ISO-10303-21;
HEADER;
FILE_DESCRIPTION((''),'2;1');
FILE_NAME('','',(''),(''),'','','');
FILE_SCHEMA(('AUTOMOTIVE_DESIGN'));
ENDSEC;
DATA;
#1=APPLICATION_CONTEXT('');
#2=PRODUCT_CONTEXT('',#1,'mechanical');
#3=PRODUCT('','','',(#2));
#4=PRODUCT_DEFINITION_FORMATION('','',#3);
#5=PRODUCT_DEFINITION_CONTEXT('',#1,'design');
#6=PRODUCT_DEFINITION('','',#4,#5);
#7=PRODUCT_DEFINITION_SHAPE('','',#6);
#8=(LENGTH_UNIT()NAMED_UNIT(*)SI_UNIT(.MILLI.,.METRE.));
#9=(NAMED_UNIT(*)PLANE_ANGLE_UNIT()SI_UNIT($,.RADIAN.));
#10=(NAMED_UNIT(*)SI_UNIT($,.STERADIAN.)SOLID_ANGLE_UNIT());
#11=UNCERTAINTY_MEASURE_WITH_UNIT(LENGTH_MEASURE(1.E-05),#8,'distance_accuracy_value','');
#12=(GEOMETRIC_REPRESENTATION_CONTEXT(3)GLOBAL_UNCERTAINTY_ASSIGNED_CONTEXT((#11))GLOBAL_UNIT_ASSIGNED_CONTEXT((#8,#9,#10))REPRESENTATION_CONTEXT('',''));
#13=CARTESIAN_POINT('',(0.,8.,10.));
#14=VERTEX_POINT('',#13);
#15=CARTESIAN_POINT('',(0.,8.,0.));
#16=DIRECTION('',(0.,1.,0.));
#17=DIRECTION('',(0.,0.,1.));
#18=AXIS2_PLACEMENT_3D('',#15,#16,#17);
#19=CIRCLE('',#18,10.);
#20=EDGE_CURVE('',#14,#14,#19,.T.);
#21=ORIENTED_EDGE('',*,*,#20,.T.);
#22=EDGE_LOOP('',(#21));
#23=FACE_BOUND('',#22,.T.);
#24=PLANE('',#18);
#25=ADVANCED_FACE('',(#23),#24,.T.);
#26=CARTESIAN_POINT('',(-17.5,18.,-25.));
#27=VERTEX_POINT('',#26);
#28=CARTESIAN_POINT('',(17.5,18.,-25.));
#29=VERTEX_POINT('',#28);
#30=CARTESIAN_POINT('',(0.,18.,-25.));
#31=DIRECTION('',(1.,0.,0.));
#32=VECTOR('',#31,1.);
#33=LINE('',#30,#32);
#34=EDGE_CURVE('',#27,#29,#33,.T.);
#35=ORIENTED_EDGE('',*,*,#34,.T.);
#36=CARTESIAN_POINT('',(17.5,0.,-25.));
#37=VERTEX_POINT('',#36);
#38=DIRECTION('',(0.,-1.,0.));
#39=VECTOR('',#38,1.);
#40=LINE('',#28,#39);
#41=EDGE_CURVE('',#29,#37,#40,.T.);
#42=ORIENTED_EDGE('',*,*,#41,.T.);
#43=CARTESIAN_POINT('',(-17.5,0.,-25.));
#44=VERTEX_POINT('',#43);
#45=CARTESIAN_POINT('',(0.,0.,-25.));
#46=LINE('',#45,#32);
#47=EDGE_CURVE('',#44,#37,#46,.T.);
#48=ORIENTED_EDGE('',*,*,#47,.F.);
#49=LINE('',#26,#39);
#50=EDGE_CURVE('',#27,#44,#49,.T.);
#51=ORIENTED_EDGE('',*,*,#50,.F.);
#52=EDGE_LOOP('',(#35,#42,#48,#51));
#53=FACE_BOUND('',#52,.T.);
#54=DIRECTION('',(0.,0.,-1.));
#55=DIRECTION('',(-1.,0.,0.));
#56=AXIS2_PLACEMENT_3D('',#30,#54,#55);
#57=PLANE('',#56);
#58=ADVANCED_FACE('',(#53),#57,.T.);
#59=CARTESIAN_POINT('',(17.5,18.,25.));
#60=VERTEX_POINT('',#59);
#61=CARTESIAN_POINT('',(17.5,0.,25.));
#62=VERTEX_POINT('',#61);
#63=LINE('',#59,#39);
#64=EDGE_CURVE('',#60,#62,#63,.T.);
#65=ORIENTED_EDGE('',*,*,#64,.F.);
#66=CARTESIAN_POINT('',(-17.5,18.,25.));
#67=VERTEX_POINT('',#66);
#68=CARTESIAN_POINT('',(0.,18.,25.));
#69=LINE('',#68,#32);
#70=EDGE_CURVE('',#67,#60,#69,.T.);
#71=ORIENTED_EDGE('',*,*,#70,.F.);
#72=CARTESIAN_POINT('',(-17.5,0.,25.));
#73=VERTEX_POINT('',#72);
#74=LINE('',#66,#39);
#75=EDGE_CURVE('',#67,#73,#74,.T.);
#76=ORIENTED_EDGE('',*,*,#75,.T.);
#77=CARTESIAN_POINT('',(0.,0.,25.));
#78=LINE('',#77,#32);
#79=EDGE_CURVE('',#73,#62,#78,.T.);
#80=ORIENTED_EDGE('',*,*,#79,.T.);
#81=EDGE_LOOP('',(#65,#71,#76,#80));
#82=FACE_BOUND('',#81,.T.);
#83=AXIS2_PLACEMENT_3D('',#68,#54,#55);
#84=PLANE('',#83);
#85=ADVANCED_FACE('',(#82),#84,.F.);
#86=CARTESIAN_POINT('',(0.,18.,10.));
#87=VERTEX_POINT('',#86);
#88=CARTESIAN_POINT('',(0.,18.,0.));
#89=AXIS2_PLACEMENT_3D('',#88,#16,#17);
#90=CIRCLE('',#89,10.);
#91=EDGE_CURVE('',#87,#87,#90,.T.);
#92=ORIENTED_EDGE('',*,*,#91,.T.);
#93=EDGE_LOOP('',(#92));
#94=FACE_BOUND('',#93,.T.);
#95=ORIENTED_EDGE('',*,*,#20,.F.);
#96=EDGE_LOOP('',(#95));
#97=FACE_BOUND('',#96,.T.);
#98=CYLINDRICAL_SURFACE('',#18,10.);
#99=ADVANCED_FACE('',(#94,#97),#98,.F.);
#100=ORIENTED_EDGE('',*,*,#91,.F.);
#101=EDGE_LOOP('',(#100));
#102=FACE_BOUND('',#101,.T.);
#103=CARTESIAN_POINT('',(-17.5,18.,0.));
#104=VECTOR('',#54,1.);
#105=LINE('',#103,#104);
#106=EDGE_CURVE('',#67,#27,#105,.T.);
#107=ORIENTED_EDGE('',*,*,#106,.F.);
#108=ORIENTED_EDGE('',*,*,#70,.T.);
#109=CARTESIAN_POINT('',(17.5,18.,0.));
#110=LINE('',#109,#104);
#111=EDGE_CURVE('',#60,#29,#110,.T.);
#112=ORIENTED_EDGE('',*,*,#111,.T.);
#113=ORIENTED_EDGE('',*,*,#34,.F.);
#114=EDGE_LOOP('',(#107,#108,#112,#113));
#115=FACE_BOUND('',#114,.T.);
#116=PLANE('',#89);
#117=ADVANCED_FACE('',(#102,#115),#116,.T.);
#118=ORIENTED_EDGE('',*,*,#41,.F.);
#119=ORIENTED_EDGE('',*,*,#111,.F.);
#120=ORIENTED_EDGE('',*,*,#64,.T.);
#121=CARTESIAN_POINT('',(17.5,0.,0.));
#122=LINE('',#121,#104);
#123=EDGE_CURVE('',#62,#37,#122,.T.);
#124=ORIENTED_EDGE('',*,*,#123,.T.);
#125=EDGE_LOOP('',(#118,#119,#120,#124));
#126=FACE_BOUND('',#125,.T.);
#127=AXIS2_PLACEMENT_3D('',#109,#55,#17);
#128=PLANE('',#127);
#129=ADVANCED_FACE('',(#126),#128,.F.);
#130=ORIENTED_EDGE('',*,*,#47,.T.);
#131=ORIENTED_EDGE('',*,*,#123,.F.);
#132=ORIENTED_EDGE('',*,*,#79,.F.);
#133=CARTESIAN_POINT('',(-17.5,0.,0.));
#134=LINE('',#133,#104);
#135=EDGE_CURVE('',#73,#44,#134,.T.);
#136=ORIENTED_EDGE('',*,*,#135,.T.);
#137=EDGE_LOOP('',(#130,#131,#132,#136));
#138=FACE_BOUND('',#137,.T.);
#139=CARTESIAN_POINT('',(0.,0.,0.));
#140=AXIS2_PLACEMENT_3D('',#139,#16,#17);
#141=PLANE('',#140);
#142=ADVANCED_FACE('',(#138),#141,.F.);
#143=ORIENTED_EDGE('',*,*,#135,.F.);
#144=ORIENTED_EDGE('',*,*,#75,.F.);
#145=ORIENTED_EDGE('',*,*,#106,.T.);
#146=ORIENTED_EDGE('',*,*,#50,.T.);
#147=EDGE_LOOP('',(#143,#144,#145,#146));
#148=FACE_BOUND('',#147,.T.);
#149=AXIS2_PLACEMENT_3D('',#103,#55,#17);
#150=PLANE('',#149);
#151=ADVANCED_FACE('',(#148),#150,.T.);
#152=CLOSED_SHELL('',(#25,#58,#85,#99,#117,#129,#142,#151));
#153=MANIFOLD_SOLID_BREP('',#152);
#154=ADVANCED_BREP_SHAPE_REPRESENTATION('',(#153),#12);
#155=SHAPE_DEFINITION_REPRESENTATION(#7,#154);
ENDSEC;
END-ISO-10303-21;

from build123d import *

# Parameters (mm, degrees)
SKETCH1_W           = 35
SKETCH1_H           = 50
BOSS_EXTRUDE1_DEPTH = 18
SKETCH3_R           = 10
CUT_EXTRUDE1_DEPTH  = 10


with BuildPart() as part:
    # Sketch1 → Boss-Extrude1 (new body)
    with BuildSketch(Plane(origin=(0, 0, 0), x_dir=(1, 0, 0), z_dir=(0, 1, 0))):
        Rectangle(SKETCH1_W, SKETCH1_H)
    extrude(amount=BOSS_EXTRUDE1_DEPTH)

    # Sketch3 → Cut-Extrude1 (cut)
    with BuildSketch(Plane(origin=(0, 18, 0), x_dir=(1, 0, 0), z_dir=(0, 1, 0))):
        with Locations(Location((0, 0, 0), (0, 0, 270))):
            Circle(SKETCH3_R)
    extrude(amount=-CUT_EXTRUDE1_DEPTH, mode=Mode.SUBTRACT)


solid = part.part
